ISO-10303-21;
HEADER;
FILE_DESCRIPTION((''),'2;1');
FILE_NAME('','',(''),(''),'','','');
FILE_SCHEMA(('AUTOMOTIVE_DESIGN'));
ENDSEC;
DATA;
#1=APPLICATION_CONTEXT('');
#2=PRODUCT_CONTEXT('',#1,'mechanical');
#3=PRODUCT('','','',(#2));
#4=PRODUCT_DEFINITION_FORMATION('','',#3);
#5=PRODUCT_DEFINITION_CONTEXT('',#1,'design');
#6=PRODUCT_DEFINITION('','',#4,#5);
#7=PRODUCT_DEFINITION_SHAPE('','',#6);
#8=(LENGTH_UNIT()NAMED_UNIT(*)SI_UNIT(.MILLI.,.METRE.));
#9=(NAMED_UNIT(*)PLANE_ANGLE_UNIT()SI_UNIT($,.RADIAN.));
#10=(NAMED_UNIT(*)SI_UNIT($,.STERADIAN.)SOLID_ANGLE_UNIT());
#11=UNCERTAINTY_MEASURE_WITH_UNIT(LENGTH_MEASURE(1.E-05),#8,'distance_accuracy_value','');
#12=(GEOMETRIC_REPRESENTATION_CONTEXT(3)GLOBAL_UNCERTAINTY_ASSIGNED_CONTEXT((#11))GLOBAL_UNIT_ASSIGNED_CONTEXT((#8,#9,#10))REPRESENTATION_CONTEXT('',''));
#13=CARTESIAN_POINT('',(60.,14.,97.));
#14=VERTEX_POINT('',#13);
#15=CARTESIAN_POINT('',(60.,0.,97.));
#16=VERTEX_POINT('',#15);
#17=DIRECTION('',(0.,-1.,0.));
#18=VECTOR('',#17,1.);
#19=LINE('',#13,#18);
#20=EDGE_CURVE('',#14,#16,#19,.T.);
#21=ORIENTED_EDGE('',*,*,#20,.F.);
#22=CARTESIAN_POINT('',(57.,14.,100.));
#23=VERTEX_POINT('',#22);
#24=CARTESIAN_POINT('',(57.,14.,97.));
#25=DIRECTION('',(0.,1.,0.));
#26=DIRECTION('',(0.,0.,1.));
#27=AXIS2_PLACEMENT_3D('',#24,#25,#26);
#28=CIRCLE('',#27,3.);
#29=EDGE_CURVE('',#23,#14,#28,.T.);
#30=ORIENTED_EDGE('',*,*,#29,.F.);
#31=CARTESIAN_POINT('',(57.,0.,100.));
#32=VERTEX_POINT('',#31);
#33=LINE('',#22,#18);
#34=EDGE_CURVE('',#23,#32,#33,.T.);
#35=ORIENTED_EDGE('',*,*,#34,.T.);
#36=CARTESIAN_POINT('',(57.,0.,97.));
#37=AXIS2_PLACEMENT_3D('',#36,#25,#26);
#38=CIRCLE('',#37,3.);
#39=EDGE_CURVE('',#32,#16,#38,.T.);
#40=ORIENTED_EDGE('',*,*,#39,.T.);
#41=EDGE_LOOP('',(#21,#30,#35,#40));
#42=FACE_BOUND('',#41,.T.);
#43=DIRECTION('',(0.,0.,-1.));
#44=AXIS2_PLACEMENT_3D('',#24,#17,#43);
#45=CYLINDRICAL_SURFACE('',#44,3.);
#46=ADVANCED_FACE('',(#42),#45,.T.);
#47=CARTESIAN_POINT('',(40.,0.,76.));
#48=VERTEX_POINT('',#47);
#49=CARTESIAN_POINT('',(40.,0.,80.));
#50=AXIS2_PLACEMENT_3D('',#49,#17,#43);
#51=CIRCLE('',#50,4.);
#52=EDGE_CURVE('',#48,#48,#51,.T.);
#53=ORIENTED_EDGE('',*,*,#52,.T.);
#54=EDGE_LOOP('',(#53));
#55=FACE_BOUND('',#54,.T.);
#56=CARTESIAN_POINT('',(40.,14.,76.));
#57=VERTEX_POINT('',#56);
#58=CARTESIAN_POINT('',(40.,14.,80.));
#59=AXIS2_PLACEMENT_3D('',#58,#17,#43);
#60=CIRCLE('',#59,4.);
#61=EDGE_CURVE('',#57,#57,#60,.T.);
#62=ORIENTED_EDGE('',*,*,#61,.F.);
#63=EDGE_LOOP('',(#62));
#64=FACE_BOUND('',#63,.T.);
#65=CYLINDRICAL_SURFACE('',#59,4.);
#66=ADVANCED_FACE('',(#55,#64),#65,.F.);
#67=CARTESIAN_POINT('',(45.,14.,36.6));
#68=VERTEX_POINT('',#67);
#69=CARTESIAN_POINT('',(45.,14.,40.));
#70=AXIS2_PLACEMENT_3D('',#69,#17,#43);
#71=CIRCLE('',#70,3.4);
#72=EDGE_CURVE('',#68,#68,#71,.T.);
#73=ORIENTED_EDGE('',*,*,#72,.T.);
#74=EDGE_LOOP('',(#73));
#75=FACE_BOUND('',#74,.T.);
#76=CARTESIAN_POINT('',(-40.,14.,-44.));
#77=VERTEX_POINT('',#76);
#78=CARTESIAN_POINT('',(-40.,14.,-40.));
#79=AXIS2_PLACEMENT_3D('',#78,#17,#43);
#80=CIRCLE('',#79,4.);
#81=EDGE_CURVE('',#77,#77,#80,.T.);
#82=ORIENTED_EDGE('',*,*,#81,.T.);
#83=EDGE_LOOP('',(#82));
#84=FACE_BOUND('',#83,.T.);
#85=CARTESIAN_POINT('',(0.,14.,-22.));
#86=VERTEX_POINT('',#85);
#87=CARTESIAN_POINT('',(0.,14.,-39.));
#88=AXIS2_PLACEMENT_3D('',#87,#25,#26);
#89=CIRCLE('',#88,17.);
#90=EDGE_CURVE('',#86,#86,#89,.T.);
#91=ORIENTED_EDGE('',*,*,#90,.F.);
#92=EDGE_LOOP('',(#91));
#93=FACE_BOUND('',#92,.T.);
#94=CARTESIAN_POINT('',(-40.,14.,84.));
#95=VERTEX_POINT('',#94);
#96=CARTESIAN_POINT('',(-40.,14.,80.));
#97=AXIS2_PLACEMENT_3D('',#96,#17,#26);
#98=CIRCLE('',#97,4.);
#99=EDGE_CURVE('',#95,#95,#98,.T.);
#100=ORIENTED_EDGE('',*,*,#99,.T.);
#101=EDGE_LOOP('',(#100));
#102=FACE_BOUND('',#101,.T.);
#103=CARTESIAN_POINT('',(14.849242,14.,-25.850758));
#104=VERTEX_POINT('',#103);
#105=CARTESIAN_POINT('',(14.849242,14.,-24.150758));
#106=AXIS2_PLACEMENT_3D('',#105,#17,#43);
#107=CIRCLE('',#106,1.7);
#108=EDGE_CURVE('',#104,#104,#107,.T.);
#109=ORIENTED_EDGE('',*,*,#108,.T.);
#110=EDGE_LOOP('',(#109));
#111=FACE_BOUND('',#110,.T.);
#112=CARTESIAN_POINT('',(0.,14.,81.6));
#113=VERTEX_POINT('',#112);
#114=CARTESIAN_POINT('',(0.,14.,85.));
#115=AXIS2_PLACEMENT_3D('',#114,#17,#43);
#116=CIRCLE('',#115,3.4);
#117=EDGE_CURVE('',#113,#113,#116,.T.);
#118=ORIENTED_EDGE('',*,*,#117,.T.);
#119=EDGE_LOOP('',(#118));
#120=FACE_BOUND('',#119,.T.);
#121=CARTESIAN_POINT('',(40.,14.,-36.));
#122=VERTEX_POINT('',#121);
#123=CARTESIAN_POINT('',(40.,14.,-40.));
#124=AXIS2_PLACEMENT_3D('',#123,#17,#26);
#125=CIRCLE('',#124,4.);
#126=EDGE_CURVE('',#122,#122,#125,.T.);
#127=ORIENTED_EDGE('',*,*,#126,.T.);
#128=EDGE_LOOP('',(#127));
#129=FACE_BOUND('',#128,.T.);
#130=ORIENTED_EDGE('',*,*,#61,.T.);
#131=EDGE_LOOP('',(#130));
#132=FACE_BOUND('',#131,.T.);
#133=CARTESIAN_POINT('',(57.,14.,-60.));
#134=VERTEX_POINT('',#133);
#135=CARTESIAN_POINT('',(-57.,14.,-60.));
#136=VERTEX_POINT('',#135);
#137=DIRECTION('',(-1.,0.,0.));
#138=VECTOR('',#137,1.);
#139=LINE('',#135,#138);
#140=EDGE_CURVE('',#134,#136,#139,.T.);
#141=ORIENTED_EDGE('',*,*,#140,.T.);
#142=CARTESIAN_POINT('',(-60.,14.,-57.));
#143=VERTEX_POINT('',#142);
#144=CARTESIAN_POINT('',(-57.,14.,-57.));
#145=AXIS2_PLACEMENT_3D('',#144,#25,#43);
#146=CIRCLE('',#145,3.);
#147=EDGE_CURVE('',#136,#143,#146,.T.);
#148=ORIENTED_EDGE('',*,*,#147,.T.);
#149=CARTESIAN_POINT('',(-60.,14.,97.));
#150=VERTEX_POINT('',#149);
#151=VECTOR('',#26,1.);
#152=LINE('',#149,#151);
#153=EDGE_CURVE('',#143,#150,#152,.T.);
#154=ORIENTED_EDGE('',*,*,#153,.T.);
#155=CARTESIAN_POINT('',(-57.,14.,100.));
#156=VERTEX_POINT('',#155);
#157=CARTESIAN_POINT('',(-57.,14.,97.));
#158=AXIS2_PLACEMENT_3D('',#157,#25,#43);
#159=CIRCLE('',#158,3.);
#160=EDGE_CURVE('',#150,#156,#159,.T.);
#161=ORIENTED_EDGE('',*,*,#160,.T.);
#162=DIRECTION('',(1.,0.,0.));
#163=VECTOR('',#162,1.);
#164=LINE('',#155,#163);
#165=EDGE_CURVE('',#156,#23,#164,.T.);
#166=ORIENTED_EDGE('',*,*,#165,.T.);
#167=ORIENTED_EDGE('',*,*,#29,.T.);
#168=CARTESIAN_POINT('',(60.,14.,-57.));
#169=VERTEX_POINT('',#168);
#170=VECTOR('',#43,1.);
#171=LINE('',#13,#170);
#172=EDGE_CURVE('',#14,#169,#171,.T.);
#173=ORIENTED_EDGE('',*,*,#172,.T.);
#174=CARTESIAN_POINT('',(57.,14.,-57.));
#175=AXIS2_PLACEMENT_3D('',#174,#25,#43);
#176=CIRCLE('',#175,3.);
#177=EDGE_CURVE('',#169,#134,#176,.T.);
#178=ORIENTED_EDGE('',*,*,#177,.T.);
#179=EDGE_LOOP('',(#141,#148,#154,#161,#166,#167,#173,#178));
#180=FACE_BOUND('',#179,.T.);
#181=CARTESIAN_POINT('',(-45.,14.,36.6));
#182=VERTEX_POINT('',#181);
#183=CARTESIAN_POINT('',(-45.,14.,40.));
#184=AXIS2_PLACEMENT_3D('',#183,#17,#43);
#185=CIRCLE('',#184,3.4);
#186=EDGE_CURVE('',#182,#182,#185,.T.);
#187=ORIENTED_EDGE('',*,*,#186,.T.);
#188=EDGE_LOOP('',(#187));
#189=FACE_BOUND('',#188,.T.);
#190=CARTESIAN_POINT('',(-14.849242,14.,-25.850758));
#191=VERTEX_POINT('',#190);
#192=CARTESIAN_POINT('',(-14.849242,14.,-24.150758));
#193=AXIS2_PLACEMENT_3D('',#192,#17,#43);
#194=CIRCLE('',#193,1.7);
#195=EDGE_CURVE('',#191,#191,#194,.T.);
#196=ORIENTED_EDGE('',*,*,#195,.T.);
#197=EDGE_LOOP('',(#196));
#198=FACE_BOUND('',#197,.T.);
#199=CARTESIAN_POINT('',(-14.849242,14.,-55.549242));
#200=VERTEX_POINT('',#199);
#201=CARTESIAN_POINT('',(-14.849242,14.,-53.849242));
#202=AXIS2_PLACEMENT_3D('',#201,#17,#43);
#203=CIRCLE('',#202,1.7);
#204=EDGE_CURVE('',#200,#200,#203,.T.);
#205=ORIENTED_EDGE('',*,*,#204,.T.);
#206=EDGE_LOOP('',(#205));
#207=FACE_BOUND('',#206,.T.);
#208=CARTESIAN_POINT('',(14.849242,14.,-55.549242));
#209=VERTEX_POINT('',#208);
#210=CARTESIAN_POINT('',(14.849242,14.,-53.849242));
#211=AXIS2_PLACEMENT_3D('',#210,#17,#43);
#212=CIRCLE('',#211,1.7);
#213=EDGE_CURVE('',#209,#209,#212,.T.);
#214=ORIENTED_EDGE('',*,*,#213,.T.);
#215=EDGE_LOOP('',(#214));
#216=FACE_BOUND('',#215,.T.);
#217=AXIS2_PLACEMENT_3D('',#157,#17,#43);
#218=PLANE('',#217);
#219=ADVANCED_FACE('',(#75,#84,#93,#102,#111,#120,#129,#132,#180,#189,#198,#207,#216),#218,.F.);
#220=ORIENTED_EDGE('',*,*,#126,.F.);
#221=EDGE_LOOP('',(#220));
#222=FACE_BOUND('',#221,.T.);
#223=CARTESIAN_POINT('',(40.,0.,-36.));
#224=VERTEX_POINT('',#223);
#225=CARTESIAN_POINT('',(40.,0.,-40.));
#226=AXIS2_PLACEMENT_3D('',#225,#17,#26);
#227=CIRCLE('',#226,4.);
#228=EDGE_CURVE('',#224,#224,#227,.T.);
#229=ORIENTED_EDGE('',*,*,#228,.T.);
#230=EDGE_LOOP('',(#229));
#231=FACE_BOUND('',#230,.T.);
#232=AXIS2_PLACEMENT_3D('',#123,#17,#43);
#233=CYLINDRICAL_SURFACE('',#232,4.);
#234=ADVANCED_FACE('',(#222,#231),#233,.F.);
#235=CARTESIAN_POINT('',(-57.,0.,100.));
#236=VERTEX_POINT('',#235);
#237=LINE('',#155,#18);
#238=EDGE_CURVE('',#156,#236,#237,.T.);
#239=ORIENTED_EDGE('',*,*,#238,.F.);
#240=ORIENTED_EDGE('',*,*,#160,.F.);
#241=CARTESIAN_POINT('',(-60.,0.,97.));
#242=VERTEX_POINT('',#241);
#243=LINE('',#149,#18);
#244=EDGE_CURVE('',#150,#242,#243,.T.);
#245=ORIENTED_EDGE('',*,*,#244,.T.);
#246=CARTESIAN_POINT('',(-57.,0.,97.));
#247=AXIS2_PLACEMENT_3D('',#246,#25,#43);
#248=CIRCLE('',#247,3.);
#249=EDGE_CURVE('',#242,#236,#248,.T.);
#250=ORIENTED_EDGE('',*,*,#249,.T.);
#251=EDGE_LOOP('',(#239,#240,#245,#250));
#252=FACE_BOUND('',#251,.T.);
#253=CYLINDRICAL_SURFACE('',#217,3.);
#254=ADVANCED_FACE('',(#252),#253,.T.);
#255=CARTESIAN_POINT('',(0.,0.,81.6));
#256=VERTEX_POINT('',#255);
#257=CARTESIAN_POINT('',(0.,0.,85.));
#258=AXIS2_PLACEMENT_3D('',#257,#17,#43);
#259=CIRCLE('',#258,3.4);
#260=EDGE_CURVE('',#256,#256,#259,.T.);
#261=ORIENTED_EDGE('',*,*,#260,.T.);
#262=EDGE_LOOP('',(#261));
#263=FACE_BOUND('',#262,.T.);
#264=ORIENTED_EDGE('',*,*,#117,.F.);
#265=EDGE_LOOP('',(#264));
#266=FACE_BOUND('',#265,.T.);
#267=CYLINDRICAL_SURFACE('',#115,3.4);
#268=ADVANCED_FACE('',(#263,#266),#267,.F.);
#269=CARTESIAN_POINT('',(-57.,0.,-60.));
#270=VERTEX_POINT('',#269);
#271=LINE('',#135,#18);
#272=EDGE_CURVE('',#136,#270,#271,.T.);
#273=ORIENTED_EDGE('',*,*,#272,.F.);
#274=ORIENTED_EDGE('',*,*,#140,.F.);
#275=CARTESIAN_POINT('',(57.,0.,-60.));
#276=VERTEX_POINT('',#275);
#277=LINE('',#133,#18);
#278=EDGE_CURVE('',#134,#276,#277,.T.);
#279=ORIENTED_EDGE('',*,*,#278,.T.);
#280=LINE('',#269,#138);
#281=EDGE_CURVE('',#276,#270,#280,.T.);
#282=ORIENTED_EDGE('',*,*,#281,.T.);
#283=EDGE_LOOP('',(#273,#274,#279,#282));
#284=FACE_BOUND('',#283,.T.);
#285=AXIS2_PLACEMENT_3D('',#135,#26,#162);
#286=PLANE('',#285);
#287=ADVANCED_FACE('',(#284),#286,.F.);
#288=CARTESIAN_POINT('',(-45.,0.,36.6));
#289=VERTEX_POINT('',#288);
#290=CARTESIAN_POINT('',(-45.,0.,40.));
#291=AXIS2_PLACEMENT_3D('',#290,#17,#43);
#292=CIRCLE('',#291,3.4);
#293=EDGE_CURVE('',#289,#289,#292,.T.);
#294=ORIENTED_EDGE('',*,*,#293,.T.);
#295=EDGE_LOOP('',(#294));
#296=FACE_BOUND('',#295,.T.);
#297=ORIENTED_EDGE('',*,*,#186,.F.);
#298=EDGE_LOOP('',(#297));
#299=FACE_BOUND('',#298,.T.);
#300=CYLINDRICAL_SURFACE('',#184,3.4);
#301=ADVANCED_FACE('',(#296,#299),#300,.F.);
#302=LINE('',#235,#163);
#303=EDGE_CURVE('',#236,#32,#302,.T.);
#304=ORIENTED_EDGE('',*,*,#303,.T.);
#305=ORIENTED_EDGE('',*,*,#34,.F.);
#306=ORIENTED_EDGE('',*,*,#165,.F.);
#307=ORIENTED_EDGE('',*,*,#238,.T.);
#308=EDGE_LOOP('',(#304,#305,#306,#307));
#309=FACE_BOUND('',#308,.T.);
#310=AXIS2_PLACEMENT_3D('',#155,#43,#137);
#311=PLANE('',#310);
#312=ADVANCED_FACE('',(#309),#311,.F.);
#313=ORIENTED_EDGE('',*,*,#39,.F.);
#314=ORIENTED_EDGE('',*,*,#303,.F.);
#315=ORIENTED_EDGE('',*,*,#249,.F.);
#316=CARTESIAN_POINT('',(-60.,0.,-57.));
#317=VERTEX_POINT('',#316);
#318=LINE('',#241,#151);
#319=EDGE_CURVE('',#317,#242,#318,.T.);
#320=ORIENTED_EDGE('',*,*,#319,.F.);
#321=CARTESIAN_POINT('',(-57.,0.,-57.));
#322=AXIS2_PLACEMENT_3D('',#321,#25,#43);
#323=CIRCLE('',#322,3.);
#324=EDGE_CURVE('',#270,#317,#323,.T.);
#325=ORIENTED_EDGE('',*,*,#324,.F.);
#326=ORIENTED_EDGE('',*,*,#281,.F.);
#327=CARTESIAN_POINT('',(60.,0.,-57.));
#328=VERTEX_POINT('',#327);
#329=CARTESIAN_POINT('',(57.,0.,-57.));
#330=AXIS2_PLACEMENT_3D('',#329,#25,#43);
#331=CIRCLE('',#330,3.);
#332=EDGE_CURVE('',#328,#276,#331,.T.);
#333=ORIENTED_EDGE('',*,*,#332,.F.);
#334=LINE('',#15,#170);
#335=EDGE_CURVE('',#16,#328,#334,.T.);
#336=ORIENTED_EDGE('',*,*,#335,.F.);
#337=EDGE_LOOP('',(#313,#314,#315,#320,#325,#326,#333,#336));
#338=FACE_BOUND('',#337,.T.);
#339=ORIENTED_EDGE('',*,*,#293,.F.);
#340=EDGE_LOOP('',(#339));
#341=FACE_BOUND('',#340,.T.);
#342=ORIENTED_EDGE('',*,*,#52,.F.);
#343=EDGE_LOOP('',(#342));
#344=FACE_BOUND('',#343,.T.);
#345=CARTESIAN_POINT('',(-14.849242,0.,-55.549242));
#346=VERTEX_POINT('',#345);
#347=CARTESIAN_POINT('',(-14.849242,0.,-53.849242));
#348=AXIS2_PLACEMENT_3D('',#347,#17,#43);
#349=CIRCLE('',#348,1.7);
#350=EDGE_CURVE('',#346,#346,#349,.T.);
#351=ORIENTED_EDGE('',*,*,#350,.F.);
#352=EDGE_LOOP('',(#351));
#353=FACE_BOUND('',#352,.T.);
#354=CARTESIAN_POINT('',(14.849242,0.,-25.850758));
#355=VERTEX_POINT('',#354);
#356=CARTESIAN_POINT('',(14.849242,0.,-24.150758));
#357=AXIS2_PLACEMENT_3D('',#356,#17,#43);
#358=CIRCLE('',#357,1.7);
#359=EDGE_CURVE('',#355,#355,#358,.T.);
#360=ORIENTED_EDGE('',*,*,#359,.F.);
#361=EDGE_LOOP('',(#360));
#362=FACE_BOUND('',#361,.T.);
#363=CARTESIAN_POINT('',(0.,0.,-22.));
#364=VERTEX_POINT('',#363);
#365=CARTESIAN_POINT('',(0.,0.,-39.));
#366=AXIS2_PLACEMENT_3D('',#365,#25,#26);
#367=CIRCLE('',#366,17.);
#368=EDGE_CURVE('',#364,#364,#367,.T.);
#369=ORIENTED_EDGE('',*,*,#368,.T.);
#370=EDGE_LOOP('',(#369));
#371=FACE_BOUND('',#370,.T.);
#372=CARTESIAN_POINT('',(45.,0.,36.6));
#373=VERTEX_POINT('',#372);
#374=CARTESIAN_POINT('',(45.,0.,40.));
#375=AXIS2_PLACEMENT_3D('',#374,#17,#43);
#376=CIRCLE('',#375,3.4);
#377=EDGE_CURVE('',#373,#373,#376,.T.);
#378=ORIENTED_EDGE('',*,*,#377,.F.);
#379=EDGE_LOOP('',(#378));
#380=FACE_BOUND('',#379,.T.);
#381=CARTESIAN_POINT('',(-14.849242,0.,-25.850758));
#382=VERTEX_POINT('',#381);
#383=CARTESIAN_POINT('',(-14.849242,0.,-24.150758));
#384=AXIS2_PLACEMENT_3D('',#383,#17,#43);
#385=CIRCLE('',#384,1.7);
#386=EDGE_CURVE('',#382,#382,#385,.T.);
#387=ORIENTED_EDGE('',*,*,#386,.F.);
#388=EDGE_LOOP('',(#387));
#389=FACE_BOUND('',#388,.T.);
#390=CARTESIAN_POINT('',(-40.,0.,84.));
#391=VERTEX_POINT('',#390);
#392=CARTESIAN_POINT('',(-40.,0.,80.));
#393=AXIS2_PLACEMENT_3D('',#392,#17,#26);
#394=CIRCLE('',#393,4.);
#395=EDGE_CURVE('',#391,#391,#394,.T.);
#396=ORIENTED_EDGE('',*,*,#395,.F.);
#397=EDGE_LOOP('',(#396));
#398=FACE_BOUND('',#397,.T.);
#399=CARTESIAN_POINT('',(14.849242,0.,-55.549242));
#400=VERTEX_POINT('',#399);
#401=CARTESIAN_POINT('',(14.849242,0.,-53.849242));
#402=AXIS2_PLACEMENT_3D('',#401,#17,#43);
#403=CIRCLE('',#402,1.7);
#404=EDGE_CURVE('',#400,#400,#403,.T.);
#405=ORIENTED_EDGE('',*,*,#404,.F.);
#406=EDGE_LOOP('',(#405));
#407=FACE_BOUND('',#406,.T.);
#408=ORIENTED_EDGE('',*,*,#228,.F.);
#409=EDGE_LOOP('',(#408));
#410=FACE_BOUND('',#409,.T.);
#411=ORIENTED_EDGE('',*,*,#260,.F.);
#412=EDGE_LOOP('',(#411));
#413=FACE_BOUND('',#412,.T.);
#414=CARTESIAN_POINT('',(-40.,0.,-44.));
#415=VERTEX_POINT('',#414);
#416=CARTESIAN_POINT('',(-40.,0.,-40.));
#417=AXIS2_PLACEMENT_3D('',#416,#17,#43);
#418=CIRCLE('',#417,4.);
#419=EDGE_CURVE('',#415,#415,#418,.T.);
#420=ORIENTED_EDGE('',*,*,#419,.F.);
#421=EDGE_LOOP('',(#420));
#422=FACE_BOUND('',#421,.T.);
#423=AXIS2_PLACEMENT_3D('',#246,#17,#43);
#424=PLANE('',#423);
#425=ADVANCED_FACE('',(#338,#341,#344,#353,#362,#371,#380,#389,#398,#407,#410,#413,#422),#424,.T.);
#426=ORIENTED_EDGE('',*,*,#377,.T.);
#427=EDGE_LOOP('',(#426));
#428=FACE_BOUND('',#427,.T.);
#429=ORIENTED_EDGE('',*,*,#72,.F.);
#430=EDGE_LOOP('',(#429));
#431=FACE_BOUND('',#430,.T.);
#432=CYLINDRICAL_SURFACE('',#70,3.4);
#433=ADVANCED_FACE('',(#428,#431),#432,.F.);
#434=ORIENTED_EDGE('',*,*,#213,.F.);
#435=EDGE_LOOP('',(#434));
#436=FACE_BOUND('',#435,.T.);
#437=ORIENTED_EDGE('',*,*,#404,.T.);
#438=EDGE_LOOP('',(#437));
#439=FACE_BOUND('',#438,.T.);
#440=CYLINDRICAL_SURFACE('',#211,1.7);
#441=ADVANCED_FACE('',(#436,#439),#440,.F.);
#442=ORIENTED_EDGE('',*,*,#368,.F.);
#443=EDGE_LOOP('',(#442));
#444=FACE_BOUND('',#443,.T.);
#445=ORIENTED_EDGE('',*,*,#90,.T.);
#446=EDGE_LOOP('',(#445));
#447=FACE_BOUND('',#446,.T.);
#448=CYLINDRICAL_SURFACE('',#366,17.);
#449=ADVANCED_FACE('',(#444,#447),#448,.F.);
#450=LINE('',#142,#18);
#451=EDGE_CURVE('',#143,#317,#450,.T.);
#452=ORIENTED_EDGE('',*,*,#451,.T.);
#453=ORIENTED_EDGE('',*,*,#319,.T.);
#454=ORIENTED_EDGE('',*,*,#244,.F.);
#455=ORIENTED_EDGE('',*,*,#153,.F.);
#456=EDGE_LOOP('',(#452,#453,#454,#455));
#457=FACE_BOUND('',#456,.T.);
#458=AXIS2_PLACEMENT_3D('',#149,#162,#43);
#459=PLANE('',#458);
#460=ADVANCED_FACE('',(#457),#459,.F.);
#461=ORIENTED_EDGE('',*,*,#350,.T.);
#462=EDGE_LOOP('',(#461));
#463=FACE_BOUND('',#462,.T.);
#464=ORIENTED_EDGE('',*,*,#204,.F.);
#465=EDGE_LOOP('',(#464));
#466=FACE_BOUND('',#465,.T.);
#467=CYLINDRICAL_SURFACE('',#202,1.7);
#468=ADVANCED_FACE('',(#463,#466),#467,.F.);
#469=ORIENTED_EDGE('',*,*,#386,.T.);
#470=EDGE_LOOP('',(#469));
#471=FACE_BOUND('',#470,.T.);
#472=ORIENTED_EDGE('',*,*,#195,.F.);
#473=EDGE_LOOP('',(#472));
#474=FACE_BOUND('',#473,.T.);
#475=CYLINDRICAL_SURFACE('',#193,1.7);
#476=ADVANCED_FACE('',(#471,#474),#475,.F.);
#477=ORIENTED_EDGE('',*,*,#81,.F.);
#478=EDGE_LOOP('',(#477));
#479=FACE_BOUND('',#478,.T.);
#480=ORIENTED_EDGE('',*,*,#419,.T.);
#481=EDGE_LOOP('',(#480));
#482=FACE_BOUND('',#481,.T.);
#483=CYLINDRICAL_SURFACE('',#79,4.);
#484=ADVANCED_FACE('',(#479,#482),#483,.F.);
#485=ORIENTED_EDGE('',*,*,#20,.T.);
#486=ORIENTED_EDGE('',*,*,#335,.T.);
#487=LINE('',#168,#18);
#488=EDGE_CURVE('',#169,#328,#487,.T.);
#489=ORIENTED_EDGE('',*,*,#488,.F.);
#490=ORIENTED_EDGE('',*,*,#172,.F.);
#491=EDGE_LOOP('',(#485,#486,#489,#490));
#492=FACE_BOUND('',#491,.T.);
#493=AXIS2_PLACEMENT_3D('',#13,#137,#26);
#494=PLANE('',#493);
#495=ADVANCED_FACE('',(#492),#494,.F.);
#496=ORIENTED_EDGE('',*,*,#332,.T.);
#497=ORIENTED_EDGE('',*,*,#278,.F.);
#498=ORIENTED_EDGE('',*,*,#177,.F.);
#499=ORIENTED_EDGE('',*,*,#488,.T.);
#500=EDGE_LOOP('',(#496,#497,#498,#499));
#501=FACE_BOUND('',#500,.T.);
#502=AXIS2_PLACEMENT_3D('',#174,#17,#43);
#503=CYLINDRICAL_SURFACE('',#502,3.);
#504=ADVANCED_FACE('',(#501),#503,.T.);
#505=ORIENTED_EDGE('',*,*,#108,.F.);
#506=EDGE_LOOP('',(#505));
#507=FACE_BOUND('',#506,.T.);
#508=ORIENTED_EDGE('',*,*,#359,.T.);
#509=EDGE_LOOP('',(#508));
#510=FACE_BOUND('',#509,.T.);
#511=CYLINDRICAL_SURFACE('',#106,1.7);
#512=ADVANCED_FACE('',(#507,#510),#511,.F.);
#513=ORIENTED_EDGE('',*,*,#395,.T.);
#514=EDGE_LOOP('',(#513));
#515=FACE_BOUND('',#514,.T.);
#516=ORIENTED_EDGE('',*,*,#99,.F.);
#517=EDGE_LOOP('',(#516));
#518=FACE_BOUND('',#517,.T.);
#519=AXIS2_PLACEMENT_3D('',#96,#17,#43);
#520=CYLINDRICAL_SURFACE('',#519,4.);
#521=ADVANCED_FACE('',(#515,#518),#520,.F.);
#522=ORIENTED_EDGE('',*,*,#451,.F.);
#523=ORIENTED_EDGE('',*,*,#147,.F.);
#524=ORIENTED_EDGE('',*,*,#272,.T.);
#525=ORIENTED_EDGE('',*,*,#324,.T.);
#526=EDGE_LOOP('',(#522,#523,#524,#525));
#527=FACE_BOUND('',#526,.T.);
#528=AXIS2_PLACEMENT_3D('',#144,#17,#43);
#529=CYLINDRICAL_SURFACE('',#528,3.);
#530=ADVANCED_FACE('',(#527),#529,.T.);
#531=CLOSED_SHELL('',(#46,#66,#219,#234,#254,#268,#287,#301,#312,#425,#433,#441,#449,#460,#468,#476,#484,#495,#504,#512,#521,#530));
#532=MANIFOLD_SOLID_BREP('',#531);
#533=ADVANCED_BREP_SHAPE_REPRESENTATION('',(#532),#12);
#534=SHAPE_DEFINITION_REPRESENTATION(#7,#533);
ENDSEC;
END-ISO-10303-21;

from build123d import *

# Parameters (mm, degrees)
EXTRUDE_1_DEPTH     = 14
SKETCH_3_R          = 1.7
CUT_EXTRUDE_1_DEPTH = 118.45637488
SKETCH_4_R          = 3.4
CUT_EXTRUDE_2_DEPTH = 118.45637488
SKETCH_5_R          = 16.999999997
CUT_EXTRUDE_3_DEPTH = 118.45637488
SKETCH_6_R          = 4
CUT_EXTRUDE_4_DEPTH = 118.45637488


with BuildPart() as part:
    # 草图1 → 凸台-拉伸1 (new body)
    with BuildSketch(Plane(origin=(0, 0, 0), x_dir=(1, 0, 0), z_dir=(0, 1, 0))):
        with BuildLine():
            Line((-57, -100), (57, -100))
            ThreePointArc((57, -100), (59.121320344, -99.121320344), (60, -97))
            Line((60, -97), (60, 57))
            ThreePointArc((60, 57), (59.121320344, 59.121320344), (57, 60))
            Line((57, 60), (-57, 60))
            ThreePointArc((-57, 60), (-59.121320344, 59.121320344), (-60, 57))
            Line((-60, 57), (-60, -97))
            ThreePointArc((-60, -97), (-59.121320344, -99.121320344), (-57, -100))
        make_face()
    extrude(amount=EXTRUDE_1_DEPTH)

    # 草图3 → 切除-拉伸1 (cut, through all)
    with BuildSketch(Plane.XZ):
        with Locations(Location((14.849242405, -24.150757595, 0), (0, 0, 270))):
            Circle(SKETCH_3_R)
        with Locations(Location((14.849242405, -53.849242405, 0), (0, 0, 270))):
            Circle(SKETCH_3_R)
        with Locations(Location((-14.849242405, -53.849242405, 0), (0, 0, 270))):
            Circle(SKETCH_3_R)
        with Locations(Location((-14.849242405, -24.150757595, 0), (0, 0, 270))):
            Circle(SKETCH_3_R)
    extrude(amount=-CUT_EXTRUDE_1_DEPTH, mode=Mode.SUBTRACT)

    # 草图4 → 切除-拉伸2 (cut, through all)
    with BuildSketch(Plane.XZ):
        with Locations(Location((0, 85, 0), (0, 0, 270))):
            Circle(SKETCH_4_R)
        with Locations(Location((45, 40, 0), (0, 0, 270))):
            Circle(SKETCH_4_R)
        with Locations(Location((-45, 40, 0), (0, 0, 270))):
            Circle(SKETCH_4_R)
    extrude(amount=-CUT_EXTRUDE_2_DEPTH, mode=Mode.SUBTRACT)

    # 草图5 → 切除-拉伸3 (cut, through all)
    with BuildSketch(Plane(origin=(0, 14, 0), x_dir=(1, 0, 0), z_dir=(0, 1, 0))):
        with Locations(Location((4e-09, 38.999999996, 0), (0, 0, 270))):
            Circle(SKETCH_5_R)
    extrude(amount=-CUT_EXTRUDE_3_DEPTH, mode=Mode.SUBTRACT)

    # 草图6 → 切除-拉伸4 (cut, through all)
    with BuildSketch(Plane.XZ):
        with Locations(Location((40, 80, 0), (0, 0, 270))):
            Circle(SKETCH_6_R)
        with Locations(Location((-40, 80, 0), (0, 0, 90))):
            Circle(SKETCH_6_R)
        with Locations(Location((40, -40, 0), (0, 0, 90))):
            Circle(SKETCH_6_R)
        with Locations(Location((-40, -40, 0), (0, 0, 270))):
            Circle(SKETCH_6_R)
    extrude(amount=-CUT_EXTRUDE_4_DEPTH, mode=Mode.SUBTRACT)


solid = part.part
